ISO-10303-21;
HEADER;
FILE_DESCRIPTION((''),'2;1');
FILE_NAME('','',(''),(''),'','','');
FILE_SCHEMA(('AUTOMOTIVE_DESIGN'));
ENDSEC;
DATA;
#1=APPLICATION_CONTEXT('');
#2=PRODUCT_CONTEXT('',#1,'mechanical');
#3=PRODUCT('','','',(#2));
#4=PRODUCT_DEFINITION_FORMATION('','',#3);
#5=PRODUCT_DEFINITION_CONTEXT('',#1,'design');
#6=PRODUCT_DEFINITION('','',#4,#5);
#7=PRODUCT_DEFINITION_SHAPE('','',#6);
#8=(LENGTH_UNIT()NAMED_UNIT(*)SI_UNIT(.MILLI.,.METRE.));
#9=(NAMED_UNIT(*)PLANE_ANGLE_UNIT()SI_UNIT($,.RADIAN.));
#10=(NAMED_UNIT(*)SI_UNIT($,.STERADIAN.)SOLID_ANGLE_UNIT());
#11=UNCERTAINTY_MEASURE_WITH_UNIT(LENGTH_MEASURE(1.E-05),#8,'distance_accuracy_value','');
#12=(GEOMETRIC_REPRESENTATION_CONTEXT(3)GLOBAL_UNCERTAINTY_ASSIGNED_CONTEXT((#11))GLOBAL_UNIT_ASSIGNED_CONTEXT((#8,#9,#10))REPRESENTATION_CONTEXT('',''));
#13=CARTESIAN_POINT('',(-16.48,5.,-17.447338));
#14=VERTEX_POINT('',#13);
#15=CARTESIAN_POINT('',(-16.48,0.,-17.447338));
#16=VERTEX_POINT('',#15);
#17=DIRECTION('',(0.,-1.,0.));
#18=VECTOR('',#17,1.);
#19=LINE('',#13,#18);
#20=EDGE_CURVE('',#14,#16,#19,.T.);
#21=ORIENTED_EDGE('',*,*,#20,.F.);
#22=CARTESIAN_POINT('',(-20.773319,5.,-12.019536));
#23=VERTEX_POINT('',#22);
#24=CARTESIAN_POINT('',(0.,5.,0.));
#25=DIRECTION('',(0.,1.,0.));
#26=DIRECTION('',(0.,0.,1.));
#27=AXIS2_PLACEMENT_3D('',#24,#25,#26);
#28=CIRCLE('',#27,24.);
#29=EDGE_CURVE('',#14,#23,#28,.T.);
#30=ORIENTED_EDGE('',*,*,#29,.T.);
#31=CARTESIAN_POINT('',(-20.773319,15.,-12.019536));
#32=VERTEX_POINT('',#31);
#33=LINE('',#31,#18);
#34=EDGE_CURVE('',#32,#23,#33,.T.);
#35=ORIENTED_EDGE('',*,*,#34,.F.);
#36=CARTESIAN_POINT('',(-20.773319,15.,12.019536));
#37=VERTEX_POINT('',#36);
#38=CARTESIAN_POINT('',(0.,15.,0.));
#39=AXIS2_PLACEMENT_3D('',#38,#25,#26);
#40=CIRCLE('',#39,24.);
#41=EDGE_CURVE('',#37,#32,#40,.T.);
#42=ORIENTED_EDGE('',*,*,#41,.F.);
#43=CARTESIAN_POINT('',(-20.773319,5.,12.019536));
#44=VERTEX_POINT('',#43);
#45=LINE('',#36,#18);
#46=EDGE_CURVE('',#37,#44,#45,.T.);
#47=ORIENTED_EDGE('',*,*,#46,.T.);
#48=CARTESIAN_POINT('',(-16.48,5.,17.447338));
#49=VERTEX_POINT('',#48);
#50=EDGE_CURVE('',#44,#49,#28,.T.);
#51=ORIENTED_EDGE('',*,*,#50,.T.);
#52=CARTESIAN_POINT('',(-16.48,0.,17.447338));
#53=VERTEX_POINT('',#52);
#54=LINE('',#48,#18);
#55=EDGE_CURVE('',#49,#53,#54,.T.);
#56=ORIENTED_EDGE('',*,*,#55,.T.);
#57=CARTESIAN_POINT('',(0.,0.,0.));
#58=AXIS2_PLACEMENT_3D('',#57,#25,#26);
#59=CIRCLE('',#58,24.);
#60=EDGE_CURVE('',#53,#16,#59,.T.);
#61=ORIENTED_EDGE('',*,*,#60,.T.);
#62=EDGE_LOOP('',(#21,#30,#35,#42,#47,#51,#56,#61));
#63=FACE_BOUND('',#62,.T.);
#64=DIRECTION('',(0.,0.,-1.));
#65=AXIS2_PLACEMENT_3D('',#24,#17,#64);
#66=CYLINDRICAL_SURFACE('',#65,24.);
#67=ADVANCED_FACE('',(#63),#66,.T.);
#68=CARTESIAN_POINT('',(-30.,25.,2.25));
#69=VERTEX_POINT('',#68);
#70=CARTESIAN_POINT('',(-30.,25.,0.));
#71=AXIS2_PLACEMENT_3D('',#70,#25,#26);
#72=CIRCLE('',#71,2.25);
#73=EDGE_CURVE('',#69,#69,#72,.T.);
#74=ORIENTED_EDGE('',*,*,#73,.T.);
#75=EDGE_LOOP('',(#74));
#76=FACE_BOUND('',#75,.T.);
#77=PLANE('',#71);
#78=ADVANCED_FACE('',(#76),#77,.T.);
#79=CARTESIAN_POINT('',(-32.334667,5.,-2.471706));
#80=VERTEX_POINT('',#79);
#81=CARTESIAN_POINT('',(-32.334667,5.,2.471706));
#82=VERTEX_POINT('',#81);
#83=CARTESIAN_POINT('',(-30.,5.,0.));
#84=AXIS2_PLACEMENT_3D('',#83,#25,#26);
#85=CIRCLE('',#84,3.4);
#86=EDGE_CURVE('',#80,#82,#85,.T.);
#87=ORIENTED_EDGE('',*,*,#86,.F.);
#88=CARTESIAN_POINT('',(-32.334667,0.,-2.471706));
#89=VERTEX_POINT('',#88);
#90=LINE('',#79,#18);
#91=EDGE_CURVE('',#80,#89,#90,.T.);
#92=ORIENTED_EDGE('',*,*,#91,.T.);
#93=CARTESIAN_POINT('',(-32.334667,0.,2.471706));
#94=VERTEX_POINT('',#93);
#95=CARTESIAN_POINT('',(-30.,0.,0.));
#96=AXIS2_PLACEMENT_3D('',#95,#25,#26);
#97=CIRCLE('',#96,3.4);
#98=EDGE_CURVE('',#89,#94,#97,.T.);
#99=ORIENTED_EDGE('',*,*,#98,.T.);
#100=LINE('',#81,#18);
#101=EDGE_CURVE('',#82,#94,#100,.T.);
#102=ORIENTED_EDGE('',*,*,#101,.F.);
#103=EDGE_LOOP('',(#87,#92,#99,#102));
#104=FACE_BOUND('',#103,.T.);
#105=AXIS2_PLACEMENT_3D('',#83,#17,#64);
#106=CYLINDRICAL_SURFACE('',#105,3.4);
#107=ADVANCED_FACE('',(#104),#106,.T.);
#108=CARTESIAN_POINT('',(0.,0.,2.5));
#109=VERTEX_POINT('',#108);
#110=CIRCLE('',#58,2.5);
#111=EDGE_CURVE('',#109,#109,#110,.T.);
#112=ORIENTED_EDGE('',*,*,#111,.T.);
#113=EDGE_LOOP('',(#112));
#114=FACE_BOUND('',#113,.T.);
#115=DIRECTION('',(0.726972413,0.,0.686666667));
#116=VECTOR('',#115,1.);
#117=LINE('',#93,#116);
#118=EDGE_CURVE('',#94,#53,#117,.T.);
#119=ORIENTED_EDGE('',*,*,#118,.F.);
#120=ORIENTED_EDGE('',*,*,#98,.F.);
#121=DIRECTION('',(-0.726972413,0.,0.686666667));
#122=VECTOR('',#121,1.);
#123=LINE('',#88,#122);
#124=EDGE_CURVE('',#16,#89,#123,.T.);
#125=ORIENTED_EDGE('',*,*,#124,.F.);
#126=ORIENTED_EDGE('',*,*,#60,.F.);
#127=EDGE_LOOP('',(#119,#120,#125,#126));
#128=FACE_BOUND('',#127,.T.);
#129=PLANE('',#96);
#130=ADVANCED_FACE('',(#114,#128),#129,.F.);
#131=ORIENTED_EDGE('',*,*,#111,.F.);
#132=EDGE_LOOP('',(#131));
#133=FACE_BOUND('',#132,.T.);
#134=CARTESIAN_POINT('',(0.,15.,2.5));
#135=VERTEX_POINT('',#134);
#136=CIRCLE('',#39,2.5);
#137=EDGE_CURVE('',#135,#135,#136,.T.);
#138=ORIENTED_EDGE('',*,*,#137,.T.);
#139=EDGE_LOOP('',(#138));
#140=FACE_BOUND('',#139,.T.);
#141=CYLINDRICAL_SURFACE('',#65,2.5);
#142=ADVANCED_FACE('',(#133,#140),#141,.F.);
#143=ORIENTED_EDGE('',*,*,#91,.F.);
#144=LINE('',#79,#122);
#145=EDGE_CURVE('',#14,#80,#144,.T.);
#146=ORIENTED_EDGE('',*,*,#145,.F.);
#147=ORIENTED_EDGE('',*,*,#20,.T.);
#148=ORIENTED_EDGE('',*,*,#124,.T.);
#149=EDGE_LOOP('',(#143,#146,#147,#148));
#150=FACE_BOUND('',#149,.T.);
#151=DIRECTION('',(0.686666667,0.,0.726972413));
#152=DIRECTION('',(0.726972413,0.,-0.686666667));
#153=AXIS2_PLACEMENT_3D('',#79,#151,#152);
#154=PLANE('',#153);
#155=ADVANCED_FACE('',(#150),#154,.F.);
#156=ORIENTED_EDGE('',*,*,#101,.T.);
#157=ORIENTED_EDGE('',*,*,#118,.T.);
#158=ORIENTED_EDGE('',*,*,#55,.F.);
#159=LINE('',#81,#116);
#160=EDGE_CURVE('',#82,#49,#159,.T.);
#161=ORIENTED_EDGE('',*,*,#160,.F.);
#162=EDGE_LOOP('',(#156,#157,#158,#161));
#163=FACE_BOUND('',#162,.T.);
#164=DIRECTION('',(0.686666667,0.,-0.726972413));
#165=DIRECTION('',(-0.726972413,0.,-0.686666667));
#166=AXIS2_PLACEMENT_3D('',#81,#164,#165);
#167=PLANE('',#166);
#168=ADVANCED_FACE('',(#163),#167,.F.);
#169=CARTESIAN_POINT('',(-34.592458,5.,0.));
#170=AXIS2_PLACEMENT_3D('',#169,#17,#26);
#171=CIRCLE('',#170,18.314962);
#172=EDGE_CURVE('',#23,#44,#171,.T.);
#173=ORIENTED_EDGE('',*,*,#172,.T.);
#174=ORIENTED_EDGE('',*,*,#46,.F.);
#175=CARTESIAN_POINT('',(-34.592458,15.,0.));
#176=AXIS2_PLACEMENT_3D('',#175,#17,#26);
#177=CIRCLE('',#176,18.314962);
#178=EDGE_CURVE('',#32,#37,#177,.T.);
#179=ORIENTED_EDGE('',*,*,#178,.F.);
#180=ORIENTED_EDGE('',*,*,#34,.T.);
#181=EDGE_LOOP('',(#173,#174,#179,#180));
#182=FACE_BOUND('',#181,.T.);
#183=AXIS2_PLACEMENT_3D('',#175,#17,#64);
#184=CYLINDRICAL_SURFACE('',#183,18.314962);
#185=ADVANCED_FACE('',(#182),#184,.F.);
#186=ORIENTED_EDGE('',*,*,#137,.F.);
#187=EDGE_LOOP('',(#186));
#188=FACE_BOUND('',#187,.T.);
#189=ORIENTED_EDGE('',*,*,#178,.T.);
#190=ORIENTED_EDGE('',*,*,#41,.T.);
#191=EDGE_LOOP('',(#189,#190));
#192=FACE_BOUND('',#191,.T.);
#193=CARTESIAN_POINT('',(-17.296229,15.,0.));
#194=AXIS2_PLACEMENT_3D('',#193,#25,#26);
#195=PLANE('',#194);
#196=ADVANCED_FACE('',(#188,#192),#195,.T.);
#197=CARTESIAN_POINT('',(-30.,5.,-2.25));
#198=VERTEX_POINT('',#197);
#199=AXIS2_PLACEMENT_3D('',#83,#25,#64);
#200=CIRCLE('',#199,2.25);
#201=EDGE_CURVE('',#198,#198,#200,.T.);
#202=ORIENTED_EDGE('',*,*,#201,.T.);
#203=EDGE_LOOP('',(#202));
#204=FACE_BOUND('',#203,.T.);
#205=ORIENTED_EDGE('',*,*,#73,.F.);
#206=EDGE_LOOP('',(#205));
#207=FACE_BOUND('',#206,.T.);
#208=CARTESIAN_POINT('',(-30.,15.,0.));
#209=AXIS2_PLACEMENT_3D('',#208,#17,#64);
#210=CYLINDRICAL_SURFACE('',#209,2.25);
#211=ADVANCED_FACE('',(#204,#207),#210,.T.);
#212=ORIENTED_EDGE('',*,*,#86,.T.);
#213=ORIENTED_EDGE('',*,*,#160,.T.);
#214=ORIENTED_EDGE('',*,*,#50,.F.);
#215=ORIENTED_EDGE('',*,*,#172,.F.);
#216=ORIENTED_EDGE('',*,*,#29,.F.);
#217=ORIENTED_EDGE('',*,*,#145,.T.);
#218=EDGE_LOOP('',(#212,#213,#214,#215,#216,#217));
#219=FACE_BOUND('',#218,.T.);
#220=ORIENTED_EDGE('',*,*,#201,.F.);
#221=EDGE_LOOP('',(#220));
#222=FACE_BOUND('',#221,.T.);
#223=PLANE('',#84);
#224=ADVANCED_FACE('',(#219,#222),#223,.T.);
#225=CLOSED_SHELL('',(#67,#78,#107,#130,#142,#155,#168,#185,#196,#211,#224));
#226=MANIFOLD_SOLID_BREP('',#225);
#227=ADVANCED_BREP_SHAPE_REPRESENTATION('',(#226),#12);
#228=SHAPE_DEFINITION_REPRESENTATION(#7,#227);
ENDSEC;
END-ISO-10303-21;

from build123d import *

# Parameters (mm, degrees)
SKETCH_2_R      = 2.5
EXTRUDE_1_DEPTH = 5
SKETCH_5_R      = 2.25
SKETCH_5_R_2    = 2.5
EXTRUDE_4_DEPTH = 10
SKETCH_6_R      = 2.25
EXTRUDE_5_DEPTH = 10


with BuildPart() as part:
    # 草圖2 → 填料-伸長1 (new body)
    with BuildSketch(Plane(origin=(0, 0, 0), x_dir=(1, 0, 0), z_dir=(0, 1, 0))):
        with BuildLine():
            Line((-32.334666667, 2.471706203), (-16.48, 17.447337906))
            ThreePointArc((-16.48, 17.447337906), (24, 0), (-16.48, -17.447337906))
            Line((-16.48, -17.447337906), (-32.334666667, -2.471706203))
            ThreePointArc((-32.334666667, -2.471706203), (-33.4, 0), (-32.334666667, 2.471706203))
        make_face()
        with Locations(Location((0, 0, 0), (0, 0, 270))):
            Circle(SKETCH_2_R, mode=Mode.SUBTRACT)
    extrude(amount=EXTRUDE_1_DEPTH)

    # 草圖5 → 填料-伸長4 (add)
    # profile 1 of 2: a face of its own
    with BuildSketch(Plane(origin=(0, 5, 0), x_dir=(1, 0, 0), z_dir=(0, 1, 0))):
        with Locations(Location((-30, 0, 0), (0, 0, 90))):
            Circle(SKETCH_5_R)
    # profile 2 of 2: a face of its own
    with BuildSketch(Plane(origin=(0, 5, 0), x_dir=(1, 0, 0), z_dir=(0, 1, 0))):
        with BuildLine():
            ThreePointArc((-20.773318517, -12.019535673), (24, 0), (-20.773318517, 12.019535673))
            ThreePointArc((-20.773318517, 12.019535673), (-16.277495404, 0), (-20.773318517, -12.019535673))
        make_face()
        with Locations(Location((0, 0, 0), (0, 0, 270))):
            Circle(SKETCH_5_R_2, mode=Mode.SUBTRACT)
    extrude(amount=EXTRUDE_4_DEPTH)

    # 草圖6 → 填料-伸長5 (add)
    with BuildSketch(Plane(origin=(0, 15, 0), x_dir=(1, 0, 0), z_dir=(0, 1, 0))):
        with Locations(Location((-30, 0, 0), (0, 0, 90))):
            Circle(SKETCH_6_R)
    extrude(amount=EXTRUDE_5_DEPTH)


solid = part.part
